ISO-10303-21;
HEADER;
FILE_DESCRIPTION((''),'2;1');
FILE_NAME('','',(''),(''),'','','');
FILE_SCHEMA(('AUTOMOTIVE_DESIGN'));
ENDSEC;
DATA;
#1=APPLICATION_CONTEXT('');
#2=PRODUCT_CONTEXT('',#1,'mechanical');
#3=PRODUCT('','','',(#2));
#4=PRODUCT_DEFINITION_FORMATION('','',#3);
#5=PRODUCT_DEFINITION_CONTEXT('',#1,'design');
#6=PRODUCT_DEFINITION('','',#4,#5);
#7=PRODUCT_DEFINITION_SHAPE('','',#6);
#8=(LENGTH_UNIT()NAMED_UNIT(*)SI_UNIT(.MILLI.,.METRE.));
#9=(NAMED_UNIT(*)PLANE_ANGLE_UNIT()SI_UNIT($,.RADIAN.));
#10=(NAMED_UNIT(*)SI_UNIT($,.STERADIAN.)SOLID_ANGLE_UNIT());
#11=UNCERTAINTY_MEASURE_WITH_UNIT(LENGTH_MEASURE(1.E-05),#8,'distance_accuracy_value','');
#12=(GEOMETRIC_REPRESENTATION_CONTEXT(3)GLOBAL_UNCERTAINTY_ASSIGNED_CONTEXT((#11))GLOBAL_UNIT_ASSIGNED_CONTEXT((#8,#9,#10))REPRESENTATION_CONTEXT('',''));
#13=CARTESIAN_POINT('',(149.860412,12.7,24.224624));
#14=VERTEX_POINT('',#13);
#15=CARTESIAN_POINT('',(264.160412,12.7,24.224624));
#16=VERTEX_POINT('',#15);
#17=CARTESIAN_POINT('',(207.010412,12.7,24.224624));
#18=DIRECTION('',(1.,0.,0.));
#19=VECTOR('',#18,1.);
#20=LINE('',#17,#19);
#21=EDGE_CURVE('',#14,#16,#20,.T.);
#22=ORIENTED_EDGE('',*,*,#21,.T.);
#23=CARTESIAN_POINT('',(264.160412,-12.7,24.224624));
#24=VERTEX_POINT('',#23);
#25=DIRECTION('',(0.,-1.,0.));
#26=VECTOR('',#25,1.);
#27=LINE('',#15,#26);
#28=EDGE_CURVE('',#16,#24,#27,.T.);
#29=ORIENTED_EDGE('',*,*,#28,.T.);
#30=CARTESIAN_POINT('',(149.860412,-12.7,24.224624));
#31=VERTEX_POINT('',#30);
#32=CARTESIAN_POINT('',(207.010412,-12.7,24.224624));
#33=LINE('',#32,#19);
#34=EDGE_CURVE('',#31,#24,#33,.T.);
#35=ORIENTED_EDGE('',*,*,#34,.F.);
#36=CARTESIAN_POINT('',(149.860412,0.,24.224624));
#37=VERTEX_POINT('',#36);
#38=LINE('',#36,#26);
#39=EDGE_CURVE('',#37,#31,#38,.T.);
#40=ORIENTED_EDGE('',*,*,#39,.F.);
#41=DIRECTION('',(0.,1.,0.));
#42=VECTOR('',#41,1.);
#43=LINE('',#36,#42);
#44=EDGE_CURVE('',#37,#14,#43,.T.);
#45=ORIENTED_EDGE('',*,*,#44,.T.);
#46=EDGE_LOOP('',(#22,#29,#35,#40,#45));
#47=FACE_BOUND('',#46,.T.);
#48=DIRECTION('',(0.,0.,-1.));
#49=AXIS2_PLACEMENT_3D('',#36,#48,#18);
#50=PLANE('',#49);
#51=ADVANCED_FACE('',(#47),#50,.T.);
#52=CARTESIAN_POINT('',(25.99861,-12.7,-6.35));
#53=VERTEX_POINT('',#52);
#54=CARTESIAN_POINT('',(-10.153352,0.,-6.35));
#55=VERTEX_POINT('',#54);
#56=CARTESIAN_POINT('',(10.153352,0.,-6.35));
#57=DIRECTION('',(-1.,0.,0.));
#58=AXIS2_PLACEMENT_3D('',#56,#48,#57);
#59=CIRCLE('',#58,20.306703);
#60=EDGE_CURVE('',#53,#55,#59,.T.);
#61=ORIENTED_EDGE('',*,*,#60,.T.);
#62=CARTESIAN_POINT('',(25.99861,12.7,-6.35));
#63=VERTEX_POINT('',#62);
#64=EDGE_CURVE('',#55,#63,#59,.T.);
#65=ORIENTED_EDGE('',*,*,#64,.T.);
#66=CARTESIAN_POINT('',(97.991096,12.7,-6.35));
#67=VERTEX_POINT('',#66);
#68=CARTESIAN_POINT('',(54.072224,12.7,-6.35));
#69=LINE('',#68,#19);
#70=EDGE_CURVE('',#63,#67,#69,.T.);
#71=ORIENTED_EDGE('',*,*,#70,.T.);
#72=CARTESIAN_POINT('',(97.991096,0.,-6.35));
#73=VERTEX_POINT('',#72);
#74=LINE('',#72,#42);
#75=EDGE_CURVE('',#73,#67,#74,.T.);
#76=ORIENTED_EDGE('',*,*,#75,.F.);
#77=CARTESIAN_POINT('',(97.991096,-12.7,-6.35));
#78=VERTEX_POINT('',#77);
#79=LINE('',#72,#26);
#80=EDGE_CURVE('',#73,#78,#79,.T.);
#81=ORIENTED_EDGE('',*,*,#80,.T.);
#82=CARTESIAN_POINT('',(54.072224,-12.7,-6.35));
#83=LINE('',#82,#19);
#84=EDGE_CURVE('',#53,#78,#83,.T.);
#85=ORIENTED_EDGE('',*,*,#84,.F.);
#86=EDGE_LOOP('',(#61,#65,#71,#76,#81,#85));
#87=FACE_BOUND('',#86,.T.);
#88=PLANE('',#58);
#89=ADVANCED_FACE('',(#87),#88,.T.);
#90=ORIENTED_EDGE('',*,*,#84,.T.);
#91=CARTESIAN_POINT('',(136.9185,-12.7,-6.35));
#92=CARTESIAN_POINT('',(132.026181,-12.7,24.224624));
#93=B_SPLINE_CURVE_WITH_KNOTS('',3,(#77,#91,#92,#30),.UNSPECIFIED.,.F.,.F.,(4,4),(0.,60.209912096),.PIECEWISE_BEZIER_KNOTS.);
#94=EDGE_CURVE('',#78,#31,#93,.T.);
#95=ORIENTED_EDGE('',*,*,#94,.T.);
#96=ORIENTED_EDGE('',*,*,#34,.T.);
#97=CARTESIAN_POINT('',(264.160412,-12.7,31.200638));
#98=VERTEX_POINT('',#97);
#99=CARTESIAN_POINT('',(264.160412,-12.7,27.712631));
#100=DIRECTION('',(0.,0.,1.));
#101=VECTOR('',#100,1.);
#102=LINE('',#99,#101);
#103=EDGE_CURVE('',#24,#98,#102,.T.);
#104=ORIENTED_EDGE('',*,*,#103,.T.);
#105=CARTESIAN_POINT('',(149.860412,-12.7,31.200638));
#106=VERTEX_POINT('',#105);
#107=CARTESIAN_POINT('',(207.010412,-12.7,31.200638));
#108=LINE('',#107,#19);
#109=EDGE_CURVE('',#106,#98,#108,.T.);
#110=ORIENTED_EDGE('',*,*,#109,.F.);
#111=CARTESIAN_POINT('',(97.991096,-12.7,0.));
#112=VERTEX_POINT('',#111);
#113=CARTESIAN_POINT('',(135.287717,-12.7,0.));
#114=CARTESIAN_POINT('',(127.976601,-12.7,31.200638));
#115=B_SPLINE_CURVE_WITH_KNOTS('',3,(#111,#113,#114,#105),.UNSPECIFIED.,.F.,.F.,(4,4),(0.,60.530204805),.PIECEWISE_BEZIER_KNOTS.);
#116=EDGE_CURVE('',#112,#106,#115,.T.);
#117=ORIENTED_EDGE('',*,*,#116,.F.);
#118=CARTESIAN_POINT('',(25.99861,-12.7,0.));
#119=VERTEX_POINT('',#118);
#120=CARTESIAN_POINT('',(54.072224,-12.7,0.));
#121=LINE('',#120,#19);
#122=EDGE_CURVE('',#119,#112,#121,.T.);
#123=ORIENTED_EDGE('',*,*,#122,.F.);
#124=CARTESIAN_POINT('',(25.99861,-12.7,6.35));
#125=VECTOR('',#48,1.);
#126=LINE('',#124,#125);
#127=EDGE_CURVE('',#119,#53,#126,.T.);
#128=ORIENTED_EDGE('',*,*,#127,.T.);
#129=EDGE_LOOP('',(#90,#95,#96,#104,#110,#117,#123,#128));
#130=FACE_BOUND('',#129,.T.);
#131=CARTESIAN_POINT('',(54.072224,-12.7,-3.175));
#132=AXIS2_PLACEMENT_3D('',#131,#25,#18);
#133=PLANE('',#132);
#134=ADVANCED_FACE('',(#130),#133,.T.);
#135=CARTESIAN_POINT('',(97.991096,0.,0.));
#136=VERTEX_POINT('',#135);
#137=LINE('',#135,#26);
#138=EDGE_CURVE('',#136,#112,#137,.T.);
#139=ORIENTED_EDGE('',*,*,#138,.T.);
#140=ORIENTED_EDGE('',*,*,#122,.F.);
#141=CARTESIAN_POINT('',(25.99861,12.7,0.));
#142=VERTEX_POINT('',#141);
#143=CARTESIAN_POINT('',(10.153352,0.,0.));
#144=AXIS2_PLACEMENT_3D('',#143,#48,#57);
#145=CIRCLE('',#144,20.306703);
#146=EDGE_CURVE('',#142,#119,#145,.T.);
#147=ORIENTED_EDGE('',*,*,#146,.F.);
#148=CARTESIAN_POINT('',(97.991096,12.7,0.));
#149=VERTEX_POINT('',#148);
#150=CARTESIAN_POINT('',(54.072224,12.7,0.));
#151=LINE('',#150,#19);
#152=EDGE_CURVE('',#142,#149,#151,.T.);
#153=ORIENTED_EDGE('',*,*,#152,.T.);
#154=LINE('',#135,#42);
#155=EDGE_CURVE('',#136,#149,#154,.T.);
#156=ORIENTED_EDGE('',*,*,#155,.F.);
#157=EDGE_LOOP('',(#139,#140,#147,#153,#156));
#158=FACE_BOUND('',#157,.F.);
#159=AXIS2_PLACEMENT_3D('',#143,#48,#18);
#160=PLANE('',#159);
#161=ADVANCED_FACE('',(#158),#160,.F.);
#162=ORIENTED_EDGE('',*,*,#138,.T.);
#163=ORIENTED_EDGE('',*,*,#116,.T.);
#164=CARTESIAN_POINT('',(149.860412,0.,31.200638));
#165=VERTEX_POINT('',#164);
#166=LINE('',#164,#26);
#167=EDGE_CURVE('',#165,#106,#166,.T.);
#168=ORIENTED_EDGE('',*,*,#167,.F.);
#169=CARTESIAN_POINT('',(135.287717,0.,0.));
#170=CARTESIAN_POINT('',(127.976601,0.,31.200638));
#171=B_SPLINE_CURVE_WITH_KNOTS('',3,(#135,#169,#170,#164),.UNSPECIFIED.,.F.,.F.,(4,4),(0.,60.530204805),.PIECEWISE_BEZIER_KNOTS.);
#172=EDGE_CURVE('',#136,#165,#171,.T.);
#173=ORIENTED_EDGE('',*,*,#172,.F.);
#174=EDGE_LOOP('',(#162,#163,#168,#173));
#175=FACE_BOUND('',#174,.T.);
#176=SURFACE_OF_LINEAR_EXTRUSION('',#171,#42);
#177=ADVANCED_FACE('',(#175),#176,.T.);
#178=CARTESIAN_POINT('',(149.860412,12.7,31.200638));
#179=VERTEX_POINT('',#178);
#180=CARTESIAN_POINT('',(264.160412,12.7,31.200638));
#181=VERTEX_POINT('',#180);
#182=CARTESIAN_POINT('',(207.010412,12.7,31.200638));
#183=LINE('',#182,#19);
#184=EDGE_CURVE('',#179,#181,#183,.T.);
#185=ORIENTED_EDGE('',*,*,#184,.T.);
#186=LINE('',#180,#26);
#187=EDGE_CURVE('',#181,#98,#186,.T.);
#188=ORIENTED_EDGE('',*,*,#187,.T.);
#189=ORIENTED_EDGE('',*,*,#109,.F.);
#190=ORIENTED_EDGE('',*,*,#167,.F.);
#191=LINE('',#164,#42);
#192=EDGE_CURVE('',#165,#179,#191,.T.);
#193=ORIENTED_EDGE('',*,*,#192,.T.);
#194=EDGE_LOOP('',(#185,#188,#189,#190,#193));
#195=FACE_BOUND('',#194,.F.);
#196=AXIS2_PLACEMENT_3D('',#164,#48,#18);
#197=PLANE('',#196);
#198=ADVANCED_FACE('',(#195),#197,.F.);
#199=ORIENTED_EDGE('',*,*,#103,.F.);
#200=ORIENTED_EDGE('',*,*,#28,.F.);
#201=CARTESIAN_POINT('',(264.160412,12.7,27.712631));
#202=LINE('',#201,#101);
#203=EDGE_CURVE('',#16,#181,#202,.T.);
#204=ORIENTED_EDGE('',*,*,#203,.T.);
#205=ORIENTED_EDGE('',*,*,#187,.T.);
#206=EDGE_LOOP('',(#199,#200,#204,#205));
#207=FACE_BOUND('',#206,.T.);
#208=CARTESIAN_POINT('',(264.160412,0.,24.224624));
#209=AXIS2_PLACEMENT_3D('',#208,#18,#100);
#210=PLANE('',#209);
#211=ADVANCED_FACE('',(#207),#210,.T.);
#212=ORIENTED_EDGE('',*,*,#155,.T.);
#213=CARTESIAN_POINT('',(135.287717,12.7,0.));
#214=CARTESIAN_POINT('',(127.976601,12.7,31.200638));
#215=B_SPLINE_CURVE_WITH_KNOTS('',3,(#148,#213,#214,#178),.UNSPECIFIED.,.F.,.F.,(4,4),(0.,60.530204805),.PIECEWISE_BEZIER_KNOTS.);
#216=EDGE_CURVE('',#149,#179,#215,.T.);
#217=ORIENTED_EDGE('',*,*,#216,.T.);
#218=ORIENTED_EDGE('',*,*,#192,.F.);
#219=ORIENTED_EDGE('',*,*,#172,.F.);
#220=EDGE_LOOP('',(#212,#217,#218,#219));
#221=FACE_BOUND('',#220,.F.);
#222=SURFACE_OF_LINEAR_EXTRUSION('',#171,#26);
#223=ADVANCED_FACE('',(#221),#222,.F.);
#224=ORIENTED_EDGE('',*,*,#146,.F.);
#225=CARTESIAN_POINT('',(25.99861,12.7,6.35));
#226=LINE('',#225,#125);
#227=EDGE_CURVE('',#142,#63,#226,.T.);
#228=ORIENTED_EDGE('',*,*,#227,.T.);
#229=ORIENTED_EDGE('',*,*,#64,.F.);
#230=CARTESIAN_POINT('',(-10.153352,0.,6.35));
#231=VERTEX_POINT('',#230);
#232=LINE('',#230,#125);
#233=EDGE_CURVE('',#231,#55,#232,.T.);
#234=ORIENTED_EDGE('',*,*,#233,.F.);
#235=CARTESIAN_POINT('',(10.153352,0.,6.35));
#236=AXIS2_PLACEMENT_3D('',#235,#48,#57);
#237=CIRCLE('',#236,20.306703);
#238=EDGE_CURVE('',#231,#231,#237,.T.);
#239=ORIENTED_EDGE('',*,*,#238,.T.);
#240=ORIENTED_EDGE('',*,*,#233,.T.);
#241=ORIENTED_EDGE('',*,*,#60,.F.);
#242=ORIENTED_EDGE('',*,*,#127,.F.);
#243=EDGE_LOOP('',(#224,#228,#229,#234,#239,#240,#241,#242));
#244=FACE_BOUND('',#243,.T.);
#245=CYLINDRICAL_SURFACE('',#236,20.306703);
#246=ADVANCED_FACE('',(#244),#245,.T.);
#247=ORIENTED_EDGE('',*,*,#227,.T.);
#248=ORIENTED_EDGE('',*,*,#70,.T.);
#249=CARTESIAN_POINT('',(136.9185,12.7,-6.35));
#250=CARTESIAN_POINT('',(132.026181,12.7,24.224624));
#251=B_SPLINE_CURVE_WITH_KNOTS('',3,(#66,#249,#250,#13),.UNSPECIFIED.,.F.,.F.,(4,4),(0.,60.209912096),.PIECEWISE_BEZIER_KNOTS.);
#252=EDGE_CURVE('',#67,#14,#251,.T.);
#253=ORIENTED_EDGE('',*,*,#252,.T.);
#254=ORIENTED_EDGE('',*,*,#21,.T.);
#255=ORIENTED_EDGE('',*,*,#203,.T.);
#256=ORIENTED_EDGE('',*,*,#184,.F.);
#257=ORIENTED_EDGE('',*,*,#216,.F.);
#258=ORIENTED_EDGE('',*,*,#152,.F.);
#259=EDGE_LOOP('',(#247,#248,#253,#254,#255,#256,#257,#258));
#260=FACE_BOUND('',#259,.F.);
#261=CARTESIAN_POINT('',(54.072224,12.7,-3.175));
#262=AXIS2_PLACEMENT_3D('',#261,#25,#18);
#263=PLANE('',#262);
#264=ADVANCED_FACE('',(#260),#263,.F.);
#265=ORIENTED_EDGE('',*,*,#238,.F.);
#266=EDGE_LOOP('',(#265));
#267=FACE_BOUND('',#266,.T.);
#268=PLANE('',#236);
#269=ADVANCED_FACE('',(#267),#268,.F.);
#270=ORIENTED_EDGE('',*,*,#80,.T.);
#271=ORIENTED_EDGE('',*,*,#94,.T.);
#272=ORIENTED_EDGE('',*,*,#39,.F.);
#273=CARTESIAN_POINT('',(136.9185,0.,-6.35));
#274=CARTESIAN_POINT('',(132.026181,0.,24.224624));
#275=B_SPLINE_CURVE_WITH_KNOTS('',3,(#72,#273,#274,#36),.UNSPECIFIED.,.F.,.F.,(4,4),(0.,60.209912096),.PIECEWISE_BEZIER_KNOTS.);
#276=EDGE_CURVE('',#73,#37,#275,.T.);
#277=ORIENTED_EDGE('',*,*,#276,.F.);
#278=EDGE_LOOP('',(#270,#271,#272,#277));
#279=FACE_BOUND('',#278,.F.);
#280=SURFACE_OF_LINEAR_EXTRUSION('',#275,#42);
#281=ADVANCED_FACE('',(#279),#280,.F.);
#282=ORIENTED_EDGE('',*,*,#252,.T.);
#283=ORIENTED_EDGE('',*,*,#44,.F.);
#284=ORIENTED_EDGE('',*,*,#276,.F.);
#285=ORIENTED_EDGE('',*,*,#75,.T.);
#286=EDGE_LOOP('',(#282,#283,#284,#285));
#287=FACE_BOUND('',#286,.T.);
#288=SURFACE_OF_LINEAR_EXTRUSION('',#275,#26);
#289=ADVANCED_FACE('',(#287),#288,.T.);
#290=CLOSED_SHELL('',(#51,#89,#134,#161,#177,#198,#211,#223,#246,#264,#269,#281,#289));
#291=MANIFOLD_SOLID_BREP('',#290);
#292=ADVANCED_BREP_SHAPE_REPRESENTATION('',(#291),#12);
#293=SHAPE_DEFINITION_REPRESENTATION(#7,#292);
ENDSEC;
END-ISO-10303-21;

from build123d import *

# Parameters (mm, degrees)
F0_W     = 87.8377447401
F0_H     = 6.35
F0_W_2   = 114.3
F0_H_2   = 6.9760140031
F1_DEPTH = 12.7


with BuildPart() as f1:
    # F0 (on Front) → F1 (new body, symmetric)
    with BuildSketch(Plane.XZ):
        with Locations((54.0722241176, -3.175)):
            Rectangle(F0_W, F0_H)
        with BuildLine():
            add(Edge.make_bspline(
                [(97.9910964877, 0), (135.2877169847, 0), (127.9766007824, 31.2006380408), (149.8604118824, 31.2006380408)],
                knots=[0, 0, 0, 0, 60.5302048045, 60.5302048045, 60.5302048045, 60.5302048045], degree=3))
            Line((97.9910964877, 0), (97.9910964877, -6.35))
            add(Edge.make_bspline(
                [(97.9910964877, -6.35), (136.9185000658, -6.35), (132.026180625, 24.2246240377), (149.8604118824, 24.2246240377)],
                knots=[0, 0, 0, 0, 60.2099120957, 60.2099120957, 60.2099120957, 60.2099120957], degree=3))
            Line((149.8604118824, 24.2246240377), (149.8604118824, 31.2006380408))
        make_face()
        with Locations((207.0104118824, 27.7126310393)):
            Rectangle(F0_W_2, F0_H_2)
    extrude(amount=F1_DEPTH, both=True)

    # F0 (on Front) → F2 (revolve)
    with BuildSketch(Plane.XZ):
        Polygon((10.1533517476, 6.35), (-10.1533517476, 6.35), (-10.1533517476, -6.35), (10.1533517476, -6.35), (10.1533517476, 0), align=None)
    revolve(axis=Axis((10.1533517476, 0, 0), (0, 0, -1)))


solid = f1.part
